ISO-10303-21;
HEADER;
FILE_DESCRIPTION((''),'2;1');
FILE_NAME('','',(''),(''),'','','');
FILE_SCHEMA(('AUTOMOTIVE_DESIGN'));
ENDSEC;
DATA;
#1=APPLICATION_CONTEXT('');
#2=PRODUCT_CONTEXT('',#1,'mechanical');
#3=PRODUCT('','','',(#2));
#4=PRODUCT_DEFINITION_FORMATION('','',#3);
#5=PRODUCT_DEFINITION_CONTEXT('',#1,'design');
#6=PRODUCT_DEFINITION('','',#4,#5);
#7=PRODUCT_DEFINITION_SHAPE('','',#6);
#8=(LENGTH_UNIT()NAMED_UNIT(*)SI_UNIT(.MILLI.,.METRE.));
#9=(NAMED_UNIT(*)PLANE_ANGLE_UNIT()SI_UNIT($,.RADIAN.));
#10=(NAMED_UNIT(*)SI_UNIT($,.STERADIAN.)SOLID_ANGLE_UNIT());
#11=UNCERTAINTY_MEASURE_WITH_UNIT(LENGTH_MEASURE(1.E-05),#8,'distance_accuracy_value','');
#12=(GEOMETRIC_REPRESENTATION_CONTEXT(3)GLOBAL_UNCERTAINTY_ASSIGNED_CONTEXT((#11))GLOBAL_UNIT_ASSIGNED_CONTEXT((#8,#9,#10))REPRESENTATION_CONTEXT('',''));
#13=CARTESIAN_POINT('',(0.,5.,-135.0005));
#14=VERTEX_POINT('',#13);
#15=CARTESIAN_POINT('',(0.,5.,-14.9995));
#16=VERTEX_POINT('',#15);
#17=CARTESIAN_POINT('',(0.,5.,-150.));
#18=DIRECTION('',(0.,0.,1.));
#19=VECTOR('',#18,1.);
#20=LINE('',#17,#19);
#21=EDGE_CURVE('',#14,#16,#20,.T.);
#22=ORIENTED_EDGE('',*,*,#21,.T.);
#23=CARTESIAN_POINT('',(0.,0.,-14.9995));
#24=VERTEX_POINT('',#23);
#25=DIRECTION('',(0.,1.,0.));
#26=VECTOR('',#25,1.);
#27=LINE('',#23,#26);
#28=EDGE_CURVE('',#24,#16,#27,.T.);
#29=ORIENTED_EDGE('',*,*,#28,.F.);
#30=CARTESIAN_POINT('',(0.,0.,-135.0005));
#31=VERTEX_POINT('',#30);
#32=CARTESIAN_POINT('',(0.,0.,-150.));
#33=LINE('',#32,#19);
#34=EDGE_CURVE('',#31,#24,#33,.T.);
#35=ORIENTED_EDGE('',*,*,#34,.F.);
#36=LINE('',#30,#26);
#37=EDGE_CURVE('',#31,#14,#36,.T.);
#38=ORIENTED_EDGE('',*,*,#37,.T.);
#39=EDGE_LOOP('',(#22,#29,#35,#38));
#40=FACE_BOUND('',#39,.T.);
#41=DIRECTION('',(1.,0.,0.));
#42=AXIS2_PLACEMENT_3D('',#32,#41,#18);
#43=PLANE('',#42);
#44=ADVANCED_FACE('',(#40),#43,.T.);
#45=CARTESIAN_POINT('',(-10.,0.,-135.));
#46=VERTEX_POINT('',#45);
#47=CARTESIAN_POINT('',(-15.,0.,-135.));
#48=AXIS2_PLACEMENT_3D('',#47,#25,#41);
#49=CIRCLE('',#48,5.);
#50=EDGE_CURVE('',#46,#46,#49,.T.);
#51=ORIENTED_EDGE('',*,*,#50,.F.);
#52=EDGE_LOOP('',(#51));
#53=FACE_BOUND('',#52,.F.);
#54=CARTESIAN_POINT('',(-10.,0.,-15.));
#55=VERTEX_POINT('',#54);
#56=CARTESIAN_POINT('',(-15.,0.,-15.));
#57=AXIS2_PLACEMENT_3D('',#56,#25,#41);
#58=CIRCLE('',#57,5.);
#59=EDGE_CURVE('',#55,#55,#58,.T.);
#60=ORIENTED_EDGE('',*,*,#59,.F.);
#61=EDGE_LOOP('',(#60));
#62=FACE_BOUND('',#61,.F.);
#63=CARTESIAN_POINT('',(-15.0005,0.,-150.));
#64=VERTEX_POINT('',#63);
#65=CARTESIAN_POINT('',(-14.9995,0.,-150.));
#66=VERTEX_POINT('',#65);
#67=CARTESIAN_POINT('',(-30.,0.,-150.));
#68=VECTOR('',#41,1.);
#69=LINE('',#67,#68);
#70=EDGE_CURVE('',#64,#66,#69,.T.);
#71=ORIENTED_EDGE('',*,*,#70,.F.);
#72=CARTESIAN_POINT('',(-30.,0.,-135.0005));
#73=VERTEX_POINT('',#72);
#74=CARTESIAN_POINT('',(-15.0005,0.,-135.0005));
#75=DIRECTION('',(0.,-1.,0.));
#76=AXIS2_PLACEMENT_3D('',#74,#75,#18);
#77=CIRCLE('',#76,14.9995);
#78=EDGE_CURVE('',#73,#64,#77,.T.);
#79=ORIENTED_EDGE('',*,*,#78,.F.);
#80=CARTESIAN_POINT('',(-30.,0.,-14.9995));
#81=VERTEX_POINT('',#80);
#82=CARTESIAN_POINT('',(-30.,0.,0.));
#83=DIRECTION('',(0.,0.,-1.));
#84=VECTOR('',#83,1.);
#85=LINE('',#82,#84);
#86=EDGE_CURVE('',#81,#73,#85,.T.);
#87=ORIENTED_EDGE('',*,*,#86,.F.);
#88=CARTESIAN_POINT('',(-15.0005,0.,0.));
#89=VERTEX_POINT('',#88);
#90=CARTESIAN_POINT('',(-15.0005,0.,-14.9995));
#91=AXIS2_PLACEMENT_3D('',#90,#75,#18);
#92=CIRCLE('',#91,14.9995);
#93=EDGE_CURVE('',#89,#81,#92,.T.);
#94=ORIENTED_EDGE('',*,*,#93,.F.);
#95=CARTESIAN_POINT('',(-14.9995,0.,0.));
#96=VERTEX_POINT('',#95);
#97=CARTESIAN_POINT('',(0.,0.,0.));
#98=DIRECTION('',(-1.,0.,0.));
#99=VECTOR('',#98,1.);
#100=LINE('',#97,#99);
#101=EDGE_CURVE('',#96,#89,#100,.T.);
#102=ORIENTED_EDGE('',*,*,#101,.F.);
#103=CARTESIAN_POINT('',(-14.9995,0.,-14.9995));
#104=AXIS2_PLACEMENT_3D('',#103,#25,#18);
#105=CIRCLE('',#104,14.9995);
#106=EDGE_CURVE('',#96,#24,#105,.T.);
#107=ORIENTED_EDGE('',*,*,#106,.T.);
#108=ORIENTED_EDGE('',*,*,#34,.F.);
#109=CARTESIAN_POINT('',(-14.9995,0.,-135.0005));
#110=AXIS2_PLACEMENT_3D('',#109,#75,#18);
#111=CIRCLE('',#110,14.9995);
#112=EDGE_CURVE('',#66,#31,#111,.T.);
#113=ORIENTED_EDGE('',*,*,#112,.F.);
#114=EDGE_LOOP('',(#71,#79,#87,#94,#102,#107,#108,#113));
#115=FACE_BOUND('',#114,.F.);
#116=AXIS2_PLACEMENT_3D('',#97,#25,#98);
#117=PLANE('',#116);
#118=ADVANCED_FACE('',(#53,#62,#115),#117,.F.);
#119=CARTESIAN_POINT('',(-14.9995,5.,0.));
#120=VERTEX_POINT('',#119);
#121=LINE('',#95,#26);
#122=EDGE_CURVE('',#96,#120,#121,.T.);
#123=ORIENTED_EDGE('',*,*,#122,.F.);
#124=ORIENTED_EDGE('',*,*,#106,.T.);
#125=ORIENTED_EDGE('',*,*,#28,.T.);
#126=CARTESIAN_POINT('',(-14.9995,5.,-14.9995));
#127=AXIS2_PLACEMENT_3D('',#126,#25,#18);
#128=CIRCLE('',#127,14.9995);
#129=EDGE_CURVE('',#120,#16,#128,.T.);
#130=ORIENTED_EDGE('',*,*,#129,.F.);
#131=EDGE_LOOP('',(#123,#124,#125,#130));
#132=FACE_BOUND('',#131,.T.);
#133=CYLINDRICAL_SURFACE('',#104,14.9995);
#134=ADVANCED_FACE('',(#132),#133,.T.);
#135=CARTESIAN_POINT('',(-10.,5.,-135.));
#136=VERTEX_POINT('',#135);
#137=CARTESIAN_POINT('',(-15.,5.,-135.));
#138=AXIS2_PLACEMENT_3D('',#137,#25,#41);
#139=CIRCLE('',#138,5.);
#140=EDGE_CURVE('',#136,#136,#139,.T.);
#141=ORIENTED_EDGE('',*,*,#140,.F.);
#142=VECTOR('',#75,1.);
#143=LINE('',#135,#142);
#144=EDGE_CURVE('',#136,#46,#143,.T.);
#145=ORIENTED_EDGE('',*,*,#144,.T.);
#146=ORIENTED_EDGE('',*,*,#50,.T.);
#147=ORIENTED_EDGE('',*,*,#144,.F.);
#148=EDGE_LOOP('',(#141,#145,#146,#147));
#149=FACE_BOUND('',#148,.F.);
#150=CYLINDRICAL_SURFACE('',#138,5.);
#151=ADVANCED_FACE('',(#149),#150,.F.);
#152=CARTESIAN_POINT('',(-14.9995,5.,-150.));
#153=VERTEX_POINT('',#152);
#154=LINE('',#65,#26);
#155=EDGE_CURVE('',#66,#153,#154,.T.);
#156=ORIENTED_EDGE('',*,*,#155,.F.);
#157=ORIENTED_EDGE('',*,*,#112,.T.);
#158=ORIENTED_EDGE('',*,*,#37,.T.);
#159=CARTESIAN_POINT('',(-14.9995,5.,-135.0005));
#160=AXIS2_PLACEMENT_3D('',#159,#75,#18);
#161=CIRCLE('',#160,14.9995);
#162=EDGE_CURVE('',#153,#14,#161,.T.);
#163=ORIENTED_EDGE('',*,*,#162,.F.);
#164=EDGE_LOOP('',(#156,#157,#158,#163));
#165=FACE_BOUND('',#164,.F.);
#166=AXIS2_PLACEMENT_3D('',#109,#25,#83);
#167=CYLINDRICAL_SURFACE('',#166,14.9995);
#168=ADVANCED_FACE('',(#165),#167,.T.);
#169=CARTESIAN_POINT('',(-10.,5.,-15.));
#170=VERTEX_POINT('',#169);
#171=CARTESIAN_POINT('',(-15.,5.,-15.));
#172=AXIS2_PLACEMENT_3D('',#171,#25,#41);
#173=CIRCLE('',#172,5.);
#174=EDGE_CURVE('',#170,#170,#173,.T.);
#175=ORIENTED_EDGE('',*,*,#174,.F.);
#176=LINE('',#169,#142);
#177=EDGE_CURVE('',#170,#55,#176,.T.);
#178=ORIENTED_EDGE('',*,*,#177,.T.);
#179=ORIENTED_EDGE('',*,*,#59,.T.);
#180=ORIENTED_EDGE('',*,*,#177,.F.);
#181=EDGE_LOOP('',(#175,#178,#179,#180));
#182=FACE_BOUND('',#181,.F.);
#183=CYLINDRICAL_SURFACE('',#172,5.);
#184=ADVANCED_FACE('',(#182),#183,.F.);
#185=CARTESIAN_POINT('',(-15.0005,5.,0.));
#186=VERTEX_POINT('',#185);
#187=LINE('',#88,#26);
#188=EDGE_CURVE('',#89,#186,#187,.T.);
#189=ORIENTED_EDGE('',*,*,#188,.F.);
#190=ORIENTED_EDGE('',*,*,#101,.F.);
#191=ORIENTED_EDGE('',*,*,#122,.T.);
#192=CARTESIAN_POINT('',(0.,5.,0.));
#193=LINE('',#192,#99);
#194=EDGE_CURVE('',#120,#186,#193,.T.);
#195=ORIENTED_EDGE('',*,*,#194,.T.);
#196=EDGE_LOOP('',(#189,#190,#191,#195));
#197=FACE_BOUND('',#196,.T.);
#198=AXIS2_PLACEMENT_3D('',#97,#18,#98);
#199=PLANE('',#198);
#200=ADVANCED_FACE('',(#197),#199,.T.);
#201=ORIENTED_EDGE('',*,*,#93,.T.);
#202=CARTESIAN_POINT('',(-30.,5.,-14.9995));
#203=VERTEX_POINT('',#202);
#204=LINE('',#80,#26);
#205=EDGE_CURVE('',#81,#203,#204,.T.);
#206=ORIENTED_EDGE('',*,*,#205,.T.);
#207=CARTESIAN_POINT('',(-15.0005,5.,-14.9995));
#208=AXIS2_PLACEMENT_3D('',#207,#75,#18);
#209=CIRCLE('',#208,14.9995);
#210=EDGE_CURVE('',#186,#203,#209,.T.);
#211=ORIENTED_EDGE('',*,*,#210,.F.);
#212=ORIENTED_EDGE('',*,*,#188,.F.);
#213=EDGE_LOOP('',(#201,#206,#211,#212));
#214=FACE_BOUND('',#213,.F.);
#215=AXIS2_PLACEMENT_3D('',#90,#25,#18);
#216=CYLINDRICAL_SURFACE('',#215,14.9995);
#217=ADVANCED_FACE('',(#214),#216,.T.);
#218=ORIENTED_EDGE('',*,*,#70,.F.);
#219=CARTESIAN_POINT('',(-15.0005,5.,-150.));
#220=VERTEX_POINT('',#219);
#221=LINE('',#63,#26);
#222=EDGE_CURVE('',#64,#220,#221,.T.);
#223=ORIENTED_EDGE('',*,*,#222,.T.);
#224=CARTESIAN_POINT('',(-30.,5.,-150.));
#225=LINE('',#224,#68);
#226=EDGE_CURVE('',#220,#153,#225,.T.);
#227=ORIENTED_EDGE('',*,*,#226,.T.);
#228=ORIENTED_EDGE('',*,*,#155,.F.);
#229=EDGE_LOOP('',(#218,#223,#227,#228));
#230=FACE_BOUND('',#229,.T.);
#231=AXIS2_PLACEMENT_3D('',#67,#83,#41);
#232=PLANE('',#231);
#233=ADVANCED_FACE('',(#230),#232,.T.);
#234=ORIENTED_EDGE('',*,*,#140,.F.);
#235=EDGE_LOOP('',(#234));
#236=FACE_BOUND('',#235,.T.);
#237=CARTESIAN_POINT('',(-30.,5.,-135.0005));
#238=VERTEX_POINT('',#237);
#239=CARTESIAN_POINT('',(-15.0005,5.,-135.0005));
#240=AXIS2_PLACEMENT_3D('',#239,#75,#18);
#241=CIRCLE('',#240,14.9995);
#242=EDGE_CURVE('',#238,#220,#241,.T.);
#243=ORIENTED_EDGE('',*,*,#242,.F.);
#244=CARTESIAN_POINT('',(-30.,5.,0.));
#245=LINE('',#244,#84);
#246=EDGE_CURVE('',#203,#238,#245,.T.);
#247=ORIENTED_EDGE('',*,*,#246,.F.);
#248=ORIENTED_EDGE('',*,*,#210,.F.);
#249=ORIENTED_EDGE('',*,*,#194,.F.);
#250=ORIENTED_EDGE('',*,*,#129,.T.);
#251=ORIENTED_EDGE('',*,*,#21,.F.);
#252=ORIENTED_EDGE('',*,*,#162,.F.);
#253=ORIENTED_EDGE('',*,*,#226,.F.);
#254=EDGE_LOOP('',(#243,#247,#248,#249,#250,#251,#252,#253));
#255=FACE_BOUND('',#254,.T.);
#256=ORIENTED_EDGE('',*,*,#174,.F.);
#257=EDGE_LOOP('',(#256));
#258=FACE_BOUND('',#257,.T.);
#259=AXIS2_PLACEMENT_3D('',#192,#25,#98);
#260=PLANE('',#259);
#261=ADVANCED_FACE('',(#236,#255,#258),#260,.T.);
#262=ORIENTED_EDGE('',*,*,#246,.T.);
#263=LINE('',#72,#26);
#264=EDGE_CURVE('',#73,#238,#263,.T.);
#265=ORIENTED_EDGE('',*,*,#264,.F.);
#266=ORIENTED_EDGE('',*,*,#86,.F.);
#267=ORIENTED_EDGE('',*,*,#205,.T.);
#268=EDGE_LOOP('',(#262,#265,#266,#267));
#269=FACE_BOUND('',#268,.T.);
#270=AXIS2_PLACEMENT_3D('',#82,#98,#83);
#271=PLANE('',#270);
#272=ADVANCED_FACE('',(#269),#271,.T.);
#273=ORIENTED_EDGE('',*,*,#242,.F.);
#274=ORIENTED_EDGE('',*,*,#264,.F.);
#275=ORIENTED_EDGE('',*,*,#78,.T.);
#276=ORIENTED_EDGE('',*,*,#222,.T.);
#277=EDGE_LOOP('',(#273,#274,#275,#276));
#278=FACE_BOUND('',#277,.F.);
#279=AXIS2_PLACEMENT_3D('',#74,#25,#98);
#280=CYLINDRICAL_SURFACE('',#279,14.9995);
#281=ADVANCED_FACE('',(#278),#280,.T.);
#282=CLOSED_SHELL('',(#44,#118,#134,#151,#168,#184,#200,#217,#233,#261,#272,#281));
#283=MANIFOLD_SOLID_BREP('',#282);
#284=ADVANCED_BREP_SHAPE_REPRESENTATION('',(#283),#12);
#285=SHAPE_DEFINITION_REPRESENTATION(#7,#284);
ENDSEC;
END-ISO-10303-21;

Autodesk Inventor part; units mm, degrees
ref_plane "YZ Plane" through (0, 0, 0) normal (1, 0, 0) x (0, 1, 0)
ref_plane "XZ Plane" through (0, 0, 0) normal (0, 1, 0) x (-1, 0, 0)
ref_plane "XY Plane" through (0, 0, 0) normal (0, 0, 1) x (1, 0, 0)
sketch "Sketch1" plane through (0, 0, 0) normal (0, 1, 0) x (-1, 0, 0)
  line L0 (0, 0) -> (30, 0)
  line L1 (30, 0) -> (30, -150)
  line L2 (30, -150) -> (0, -150)
  line L3 (0, -150) -> (0, 0)
  dimension "d0" = 30
  dimension "d1" = 150
extrude "Extrusion1" add sketch "Sketch1" along normal blind 5
fillet "Fillet1" radius 15 4 edges at (0, 2.5, 0) (-30, 2.5, 0) (0, 2.5, -150) (-30, 2.5, -150)
sketch "Sketch2" plane through (0, 5, 0) normal (0, 1, 0) x (1, 0, 0)
  arc A0 (0, 135) -> (-30, 135) centre (-15, 135) ccw projected
  circle A1 centre (-15, 135) radius 5
  arc A2 (-30, 15) -> (0, 15) centre (-15, 15) ccw projected
  circle A3 centre (-15, 15) radius 5
  point P0 (0, 0)
  dimension "d5" = 10
  dimension "d6" = 10
extrude "Extrusion2" cut sketch "Sketch2" against normal blind 10
equation "\"d7\" = d6"
properties part number "Coupler Link"
